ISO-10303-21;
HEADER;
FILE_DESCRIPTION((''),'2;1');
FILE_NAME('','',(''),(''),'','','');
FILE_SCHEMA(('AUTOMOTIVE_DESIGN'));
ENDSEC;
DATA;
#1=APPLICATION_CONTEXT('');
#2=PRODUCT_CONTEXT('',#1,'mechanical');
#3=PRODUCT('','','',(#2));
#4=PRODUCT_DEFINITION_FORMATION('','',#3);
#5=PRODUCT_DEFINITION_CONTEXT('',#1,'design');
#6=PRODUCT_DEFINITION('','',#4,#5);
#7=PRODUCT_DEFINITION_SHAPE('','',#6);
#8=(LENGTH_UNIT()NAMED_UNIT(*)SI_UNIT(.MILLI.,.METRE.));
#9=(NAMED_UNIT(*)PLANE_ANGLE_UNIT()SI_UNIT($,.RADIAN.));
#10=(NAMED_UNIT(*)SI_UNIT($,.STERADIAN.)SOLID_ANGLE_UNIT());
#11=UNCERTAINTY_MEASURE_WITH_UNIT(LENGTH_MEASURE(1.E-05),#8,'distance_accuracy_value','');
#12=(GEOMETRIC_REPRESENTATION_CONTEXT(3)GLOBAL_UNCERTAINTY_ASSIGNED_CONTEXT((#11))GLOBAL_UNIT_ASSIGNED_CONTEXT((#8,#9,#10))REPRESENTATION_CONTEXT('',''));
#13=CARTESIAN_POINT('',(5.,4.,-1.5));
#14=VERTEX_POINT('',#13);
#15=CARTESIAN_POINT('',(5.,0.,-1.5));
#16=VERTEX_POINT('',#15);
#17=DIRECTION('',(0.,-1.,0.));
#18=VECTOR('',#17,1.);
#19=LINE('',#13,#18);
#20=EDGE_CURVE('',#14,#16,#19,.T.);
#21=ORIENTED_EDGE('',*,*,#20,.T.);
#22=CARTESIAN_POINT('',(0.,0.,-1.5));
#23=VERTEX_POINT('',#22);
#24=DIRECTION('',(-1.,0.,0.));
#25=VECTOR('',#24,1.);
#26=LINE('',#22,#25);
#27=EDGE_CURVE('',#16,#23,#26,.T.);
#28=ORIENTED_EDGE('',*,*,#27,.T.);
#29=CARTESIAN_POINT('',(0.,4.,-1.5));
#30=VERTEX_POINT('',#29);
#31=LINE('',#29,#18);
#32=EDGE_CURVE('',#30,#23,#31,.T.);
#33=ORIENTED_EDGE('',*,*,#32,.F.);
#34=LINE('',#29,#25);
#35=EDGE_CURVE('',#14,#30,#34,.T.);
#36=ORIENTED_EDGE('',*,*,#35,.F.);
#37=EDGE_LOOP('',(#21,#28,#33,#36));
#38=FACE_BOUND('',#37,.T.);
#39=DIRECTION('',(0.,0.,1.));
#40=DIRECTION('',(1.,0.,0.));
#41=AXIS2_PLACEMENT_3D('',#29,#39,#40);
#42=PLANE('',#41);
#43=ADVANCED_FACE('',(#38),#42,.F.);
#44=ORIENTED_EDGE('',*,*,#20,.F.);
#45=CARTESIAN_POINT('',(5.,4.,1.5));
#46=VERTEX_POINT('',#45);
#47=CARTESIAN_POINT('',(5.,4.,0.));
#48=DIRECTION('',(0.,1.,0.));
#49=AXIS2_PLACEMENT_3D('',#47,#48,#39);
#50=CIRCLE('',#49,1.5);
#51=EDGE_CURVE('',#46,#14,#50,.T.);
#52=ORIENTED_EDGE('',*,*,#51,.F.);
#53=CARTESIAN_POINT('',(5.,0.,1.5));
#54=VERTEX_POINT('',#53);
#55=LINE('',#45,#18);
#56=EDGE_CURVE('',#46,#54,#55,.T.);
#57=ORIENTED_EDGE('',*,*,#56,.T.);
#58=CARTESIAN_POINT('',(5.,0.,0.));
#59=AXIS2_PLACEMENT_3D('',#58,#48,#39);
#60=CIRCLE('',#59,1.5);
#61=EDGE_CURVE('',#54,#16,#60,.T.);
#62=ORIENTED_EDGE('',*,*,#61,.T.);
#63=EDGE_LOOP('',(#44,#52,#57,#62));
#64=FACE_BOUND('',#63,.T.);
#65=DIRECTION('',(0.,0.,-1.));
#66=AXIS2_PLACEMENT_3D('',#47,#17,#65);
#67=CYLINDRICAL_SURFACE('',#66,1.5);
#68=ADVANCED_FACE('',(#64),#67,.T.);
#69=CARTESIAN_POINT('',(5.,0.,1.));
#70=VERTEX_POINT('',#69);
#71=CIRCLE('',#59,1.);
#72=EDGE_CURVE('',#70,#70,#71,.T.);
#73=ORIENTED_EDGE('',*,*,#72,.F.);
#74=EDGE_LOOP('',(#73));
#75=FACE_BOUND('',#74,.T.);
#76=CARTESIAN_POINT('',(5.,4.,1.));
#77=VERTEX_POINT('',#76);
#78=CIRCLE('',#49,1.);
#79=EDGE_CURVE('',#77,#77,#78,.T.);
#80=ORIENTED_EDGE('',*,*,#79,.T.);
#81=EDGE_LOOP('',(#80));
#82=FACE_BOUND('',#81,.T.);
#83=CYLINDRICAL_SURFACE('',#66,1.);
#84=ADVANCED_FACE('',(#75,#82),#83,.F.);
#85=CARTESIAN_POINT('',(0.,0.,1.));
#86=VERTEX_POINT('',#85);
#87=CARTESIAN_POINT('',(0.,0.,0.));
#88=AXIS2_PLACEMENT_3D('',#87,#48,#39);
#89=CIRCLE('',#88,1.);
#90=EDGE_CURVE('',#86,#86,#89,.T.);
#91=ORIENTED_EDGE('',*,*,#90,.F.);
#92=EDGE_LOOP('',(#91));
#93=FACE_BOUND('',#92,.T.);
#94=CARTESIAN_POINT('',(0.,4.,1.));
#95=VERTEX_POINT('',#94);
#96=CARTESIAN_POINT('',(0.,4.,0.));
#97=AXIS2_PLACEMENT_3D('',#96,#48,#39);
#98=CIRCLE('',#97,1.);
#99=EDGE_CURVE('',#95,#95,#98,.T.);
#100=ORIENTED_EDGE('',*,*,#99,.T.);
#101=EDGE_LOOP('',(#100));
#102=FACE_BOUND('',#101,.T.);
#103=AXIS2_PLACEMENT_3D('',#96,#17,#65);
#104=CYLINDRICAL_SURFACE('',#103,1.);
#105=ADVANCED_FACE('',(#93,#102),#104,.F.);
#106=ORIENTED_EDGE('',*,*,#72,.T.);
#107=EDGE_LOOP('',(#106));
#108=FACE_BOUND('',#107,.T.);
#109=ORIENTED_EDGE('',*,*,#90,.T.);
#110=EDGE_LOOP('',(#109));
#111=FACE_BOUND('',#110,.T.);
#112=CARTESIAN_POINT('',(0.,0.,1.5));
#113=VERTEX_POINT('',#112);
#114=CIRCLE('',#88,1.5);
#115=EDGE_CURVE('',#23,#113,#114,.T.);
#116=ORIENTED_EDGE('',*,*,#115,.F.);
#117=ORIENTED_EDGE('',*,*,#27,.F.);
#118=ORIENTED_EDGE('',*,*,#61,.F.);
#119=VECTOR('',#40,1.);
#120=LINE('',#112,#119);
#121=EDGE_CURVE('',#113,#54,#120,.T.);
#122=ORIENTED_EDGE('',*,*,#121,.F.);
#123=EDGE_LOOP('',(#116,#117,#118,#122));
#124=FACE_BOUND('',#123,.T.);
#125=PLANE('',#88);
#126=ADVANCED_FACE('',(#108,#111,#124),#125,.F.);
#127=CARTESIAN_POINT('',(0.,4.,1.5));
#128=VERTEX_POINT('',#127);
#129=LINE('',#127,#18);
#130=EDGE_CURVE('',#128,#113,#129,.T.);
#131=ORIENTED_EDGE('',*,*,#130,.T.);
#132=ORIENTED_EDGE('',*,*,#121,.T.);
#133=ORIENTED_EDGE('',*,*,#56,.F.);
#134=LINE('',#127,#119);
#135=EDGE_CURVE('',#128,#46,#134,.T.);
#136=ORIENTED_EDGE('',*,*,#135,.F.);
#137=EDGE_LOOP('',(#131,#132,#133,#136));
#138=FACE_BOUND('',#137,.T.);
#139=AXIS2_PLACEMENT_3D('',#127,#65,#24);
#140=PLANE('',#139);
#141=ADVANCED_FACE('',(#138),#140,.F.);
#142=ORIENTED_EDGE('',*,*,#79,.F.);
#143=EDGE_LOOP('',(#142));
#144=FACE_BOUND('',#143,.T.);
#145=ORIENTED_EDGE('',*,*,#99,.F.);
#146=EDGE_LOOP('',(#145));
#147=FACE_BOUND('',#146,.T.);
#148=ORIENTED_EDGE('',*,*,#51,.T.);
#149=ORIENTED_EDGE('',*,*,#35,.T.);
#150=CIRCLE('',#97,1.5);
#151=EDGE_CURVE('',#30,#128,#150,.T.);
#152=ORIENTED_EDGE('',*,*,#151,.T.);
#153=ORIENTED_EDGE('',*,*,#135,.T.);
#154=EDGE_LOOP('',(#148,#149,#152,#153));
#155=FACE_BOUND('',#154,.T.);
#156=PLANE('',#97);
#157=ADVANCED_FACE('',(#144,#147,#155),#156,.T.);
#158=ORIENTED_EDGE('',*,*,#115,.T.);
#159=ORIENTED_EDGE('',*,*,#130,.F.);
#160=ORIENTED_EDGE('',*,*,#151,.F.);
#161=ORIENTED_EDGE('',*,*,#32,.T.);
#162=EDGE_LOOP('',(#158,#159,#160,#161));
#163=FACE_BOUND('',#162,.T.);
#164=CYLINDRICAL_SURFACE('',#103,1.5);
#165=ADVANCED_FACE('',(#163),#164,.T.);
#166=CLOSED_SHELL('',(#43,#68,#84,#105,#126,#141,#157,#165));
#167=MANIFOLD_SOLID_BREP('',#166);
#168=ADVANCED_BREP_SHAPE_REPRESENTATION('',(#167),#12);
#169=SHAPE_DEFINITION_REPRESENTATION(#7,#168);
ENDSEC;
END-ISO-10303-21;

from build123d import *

# Parameters (mm, degrees)
SKETCH1_R           = 1
BOSS_EXTRUDE1_DEPTH = 4


with BuildPart() as part:
    # Sketch1 → Boss-Extrude1 (new body)
    with BuildSketch(Plane(origin=(0, 0, 0), x_dir=(1, 0, 0), z_dir=(0, 1, 0))):
        with BuildLine():
            Line((0, 1.5), (5, 1.5))
            ThreePointArc((5, 1.5), (6.5, 0), (5, -1.5))
            Line((5, -1.5), (0, -1.5))
            ThreePointArc((0, -1.5), (-1.5, 0), (0, 1.5))
        make_face()
        Circle(SKETCH1_R, mode=Mode.SUBTRACT)
        with Locations((5, 0)):
            Circle(SKETCH1_R, mode=Mode.SUBTRACT)
    extrude(amount=BOSS_EXTRUDE1_DEPTH)


solid = part.part
